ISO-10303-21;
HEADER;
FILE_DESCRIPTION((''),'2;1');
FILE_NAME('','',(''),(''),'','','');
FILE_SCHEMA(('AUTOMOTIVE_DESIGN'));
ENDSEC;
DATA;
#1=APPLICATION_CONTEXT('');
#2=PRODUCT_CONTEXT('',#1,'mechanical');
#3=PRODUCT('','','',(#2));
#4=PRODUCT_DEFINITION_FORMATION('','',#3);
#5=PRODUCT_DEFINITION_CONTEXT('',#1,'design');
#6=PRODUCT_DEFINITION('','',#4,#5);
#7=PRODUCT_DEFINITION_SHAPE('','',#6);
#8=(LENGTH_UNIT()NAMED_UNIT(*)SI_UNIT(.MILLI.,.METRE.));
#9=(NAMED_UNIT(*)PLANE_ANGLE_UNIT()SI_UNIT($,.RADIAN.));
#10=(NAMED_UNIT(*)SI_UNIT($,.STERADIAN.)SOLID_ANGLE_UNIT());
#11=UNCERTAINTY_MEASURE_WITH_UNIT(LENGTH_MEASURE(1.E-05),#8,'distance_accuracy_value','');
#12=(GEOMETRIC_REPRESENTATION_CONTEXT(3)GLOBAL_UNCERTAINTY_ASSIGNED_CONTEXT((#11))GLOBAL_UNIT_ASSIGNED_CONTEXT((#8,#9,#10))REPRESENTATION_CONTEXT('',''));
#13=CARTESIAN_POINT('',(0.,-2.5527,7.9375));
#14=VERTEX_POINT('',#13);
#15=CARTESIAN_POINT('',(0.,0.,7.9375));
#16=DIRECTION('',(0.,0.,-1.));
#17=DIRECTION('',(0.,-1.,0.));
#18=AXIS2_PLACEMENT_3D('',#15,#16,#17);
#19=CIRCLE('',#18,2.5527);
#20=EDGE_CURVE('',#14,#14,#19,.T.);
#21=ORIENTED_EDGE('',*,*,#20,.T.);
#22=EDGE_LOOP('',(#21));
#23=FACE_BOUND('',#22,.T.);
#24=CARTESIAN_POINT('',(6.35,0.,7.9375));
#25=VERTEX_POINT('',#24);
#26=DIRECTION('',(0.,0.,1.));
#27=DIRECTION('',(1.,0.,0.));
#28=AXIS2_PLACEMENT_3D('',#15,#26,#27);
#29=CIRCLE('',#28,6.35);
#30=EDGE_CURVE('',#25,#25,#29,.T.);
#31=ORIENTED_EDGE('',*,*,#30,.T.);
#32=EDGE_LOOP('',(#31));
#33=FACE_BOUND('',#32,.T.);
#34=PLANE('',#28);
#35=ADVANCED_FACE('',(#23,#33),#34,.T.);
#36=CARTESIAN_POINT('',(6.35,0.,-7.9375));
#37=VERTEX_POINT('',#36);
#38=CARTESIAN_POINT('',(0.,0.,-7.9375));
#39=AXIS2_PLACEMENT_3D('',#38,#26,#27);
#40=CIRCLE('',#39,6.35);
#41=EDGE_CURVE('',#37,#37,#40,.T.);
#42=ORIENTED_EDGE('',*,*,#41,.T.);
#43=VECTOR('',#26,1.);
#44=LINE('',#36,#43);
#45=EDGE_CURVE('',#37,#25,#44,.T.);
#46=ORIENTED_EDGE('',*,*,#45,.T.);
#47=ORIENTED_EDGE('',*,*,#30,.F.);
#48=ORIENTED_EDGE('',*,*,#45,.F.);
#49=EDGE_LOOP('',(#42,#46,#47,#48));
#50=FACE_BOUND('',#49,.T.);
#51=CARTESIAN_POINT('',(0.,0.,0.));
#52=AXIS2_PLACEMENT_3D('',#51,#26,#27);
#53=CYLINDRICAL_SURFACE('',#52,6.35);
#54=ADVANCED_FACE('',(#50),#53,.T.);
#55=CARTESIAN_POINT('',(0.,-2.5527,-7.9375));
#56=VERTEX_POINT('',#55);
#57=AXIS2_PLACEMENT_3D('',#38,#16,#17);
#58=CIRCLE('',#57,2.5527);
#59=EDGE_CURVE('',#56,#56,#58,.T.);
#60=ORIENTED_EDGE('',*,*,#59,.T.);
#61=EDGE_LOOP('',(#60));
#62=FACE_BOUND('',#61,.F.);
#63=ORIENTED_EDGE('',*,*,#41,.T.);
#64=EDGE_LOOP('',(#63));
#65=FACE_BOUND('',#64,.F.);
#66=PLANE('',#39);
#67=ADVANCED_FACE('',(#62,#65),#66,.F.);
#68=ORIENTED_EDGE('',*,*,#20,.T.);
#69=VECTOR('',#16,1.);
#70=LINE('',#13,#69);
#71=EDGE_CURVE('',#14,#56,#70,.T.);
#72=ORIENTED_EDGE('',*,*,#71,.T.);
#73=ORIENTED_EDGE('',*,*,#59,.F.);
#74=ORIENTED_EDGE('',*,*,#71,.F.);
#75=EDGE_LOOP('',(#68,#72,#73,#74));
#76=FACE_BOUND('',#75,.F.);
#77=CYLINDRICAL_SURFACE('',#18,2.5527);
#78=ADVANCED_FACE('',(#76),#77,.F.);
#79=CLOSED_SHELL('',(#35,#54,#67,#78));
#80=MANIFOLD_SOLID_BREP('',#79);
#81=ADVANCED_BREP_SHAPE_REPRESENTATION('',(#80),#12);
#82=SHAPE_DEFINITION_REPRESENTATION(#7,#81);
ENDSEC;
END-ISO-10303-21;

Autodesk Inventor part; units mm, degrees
ref_plane "YZ Plane" through (0, 0, 0) normal (1, 0, 0) x (0, 1, 0)
ref_plane "XZ Plane" through (0, 0, 0) normal (0, 1, 0) x (-1, 0, 0)
ref_plane "XY Plane" through (0, 0, 0) normal (0, 0, 1) x (1, 0, 0)
sketch "Sketch1" plane through (0, 0, 0) normal (0, 0, 1) x (1, 0, 0)
  circle A0 centre (0, 0) radius 1.5875
  circle A1 centre (0, 0) radius 6.35
  dimension "d0" = 3.175
  dimension "d1" = 12.7
extrude "Extrusion1" add sketch "Sketch1" along normal mid plane 15.875 contours A0 | A1
sketch "Sketch2" plane through (0, 0, 7.9375) normal (0, 0, 1) x (1, 0, 0)
  point P0 (0, 0)
  point P1 (0, 0)
hole "Hole1" at (0, 0, 7.9375) direction (0, 0, -1) diameter 5.1054 end through all clearance for "Flat Head Machine Screw (82)" size "#10" standard "Ansi Unified Screw Threads"
equation "\"d1\" = 4 * d0"
properties part number "Offset" material "ABS Plastic"
